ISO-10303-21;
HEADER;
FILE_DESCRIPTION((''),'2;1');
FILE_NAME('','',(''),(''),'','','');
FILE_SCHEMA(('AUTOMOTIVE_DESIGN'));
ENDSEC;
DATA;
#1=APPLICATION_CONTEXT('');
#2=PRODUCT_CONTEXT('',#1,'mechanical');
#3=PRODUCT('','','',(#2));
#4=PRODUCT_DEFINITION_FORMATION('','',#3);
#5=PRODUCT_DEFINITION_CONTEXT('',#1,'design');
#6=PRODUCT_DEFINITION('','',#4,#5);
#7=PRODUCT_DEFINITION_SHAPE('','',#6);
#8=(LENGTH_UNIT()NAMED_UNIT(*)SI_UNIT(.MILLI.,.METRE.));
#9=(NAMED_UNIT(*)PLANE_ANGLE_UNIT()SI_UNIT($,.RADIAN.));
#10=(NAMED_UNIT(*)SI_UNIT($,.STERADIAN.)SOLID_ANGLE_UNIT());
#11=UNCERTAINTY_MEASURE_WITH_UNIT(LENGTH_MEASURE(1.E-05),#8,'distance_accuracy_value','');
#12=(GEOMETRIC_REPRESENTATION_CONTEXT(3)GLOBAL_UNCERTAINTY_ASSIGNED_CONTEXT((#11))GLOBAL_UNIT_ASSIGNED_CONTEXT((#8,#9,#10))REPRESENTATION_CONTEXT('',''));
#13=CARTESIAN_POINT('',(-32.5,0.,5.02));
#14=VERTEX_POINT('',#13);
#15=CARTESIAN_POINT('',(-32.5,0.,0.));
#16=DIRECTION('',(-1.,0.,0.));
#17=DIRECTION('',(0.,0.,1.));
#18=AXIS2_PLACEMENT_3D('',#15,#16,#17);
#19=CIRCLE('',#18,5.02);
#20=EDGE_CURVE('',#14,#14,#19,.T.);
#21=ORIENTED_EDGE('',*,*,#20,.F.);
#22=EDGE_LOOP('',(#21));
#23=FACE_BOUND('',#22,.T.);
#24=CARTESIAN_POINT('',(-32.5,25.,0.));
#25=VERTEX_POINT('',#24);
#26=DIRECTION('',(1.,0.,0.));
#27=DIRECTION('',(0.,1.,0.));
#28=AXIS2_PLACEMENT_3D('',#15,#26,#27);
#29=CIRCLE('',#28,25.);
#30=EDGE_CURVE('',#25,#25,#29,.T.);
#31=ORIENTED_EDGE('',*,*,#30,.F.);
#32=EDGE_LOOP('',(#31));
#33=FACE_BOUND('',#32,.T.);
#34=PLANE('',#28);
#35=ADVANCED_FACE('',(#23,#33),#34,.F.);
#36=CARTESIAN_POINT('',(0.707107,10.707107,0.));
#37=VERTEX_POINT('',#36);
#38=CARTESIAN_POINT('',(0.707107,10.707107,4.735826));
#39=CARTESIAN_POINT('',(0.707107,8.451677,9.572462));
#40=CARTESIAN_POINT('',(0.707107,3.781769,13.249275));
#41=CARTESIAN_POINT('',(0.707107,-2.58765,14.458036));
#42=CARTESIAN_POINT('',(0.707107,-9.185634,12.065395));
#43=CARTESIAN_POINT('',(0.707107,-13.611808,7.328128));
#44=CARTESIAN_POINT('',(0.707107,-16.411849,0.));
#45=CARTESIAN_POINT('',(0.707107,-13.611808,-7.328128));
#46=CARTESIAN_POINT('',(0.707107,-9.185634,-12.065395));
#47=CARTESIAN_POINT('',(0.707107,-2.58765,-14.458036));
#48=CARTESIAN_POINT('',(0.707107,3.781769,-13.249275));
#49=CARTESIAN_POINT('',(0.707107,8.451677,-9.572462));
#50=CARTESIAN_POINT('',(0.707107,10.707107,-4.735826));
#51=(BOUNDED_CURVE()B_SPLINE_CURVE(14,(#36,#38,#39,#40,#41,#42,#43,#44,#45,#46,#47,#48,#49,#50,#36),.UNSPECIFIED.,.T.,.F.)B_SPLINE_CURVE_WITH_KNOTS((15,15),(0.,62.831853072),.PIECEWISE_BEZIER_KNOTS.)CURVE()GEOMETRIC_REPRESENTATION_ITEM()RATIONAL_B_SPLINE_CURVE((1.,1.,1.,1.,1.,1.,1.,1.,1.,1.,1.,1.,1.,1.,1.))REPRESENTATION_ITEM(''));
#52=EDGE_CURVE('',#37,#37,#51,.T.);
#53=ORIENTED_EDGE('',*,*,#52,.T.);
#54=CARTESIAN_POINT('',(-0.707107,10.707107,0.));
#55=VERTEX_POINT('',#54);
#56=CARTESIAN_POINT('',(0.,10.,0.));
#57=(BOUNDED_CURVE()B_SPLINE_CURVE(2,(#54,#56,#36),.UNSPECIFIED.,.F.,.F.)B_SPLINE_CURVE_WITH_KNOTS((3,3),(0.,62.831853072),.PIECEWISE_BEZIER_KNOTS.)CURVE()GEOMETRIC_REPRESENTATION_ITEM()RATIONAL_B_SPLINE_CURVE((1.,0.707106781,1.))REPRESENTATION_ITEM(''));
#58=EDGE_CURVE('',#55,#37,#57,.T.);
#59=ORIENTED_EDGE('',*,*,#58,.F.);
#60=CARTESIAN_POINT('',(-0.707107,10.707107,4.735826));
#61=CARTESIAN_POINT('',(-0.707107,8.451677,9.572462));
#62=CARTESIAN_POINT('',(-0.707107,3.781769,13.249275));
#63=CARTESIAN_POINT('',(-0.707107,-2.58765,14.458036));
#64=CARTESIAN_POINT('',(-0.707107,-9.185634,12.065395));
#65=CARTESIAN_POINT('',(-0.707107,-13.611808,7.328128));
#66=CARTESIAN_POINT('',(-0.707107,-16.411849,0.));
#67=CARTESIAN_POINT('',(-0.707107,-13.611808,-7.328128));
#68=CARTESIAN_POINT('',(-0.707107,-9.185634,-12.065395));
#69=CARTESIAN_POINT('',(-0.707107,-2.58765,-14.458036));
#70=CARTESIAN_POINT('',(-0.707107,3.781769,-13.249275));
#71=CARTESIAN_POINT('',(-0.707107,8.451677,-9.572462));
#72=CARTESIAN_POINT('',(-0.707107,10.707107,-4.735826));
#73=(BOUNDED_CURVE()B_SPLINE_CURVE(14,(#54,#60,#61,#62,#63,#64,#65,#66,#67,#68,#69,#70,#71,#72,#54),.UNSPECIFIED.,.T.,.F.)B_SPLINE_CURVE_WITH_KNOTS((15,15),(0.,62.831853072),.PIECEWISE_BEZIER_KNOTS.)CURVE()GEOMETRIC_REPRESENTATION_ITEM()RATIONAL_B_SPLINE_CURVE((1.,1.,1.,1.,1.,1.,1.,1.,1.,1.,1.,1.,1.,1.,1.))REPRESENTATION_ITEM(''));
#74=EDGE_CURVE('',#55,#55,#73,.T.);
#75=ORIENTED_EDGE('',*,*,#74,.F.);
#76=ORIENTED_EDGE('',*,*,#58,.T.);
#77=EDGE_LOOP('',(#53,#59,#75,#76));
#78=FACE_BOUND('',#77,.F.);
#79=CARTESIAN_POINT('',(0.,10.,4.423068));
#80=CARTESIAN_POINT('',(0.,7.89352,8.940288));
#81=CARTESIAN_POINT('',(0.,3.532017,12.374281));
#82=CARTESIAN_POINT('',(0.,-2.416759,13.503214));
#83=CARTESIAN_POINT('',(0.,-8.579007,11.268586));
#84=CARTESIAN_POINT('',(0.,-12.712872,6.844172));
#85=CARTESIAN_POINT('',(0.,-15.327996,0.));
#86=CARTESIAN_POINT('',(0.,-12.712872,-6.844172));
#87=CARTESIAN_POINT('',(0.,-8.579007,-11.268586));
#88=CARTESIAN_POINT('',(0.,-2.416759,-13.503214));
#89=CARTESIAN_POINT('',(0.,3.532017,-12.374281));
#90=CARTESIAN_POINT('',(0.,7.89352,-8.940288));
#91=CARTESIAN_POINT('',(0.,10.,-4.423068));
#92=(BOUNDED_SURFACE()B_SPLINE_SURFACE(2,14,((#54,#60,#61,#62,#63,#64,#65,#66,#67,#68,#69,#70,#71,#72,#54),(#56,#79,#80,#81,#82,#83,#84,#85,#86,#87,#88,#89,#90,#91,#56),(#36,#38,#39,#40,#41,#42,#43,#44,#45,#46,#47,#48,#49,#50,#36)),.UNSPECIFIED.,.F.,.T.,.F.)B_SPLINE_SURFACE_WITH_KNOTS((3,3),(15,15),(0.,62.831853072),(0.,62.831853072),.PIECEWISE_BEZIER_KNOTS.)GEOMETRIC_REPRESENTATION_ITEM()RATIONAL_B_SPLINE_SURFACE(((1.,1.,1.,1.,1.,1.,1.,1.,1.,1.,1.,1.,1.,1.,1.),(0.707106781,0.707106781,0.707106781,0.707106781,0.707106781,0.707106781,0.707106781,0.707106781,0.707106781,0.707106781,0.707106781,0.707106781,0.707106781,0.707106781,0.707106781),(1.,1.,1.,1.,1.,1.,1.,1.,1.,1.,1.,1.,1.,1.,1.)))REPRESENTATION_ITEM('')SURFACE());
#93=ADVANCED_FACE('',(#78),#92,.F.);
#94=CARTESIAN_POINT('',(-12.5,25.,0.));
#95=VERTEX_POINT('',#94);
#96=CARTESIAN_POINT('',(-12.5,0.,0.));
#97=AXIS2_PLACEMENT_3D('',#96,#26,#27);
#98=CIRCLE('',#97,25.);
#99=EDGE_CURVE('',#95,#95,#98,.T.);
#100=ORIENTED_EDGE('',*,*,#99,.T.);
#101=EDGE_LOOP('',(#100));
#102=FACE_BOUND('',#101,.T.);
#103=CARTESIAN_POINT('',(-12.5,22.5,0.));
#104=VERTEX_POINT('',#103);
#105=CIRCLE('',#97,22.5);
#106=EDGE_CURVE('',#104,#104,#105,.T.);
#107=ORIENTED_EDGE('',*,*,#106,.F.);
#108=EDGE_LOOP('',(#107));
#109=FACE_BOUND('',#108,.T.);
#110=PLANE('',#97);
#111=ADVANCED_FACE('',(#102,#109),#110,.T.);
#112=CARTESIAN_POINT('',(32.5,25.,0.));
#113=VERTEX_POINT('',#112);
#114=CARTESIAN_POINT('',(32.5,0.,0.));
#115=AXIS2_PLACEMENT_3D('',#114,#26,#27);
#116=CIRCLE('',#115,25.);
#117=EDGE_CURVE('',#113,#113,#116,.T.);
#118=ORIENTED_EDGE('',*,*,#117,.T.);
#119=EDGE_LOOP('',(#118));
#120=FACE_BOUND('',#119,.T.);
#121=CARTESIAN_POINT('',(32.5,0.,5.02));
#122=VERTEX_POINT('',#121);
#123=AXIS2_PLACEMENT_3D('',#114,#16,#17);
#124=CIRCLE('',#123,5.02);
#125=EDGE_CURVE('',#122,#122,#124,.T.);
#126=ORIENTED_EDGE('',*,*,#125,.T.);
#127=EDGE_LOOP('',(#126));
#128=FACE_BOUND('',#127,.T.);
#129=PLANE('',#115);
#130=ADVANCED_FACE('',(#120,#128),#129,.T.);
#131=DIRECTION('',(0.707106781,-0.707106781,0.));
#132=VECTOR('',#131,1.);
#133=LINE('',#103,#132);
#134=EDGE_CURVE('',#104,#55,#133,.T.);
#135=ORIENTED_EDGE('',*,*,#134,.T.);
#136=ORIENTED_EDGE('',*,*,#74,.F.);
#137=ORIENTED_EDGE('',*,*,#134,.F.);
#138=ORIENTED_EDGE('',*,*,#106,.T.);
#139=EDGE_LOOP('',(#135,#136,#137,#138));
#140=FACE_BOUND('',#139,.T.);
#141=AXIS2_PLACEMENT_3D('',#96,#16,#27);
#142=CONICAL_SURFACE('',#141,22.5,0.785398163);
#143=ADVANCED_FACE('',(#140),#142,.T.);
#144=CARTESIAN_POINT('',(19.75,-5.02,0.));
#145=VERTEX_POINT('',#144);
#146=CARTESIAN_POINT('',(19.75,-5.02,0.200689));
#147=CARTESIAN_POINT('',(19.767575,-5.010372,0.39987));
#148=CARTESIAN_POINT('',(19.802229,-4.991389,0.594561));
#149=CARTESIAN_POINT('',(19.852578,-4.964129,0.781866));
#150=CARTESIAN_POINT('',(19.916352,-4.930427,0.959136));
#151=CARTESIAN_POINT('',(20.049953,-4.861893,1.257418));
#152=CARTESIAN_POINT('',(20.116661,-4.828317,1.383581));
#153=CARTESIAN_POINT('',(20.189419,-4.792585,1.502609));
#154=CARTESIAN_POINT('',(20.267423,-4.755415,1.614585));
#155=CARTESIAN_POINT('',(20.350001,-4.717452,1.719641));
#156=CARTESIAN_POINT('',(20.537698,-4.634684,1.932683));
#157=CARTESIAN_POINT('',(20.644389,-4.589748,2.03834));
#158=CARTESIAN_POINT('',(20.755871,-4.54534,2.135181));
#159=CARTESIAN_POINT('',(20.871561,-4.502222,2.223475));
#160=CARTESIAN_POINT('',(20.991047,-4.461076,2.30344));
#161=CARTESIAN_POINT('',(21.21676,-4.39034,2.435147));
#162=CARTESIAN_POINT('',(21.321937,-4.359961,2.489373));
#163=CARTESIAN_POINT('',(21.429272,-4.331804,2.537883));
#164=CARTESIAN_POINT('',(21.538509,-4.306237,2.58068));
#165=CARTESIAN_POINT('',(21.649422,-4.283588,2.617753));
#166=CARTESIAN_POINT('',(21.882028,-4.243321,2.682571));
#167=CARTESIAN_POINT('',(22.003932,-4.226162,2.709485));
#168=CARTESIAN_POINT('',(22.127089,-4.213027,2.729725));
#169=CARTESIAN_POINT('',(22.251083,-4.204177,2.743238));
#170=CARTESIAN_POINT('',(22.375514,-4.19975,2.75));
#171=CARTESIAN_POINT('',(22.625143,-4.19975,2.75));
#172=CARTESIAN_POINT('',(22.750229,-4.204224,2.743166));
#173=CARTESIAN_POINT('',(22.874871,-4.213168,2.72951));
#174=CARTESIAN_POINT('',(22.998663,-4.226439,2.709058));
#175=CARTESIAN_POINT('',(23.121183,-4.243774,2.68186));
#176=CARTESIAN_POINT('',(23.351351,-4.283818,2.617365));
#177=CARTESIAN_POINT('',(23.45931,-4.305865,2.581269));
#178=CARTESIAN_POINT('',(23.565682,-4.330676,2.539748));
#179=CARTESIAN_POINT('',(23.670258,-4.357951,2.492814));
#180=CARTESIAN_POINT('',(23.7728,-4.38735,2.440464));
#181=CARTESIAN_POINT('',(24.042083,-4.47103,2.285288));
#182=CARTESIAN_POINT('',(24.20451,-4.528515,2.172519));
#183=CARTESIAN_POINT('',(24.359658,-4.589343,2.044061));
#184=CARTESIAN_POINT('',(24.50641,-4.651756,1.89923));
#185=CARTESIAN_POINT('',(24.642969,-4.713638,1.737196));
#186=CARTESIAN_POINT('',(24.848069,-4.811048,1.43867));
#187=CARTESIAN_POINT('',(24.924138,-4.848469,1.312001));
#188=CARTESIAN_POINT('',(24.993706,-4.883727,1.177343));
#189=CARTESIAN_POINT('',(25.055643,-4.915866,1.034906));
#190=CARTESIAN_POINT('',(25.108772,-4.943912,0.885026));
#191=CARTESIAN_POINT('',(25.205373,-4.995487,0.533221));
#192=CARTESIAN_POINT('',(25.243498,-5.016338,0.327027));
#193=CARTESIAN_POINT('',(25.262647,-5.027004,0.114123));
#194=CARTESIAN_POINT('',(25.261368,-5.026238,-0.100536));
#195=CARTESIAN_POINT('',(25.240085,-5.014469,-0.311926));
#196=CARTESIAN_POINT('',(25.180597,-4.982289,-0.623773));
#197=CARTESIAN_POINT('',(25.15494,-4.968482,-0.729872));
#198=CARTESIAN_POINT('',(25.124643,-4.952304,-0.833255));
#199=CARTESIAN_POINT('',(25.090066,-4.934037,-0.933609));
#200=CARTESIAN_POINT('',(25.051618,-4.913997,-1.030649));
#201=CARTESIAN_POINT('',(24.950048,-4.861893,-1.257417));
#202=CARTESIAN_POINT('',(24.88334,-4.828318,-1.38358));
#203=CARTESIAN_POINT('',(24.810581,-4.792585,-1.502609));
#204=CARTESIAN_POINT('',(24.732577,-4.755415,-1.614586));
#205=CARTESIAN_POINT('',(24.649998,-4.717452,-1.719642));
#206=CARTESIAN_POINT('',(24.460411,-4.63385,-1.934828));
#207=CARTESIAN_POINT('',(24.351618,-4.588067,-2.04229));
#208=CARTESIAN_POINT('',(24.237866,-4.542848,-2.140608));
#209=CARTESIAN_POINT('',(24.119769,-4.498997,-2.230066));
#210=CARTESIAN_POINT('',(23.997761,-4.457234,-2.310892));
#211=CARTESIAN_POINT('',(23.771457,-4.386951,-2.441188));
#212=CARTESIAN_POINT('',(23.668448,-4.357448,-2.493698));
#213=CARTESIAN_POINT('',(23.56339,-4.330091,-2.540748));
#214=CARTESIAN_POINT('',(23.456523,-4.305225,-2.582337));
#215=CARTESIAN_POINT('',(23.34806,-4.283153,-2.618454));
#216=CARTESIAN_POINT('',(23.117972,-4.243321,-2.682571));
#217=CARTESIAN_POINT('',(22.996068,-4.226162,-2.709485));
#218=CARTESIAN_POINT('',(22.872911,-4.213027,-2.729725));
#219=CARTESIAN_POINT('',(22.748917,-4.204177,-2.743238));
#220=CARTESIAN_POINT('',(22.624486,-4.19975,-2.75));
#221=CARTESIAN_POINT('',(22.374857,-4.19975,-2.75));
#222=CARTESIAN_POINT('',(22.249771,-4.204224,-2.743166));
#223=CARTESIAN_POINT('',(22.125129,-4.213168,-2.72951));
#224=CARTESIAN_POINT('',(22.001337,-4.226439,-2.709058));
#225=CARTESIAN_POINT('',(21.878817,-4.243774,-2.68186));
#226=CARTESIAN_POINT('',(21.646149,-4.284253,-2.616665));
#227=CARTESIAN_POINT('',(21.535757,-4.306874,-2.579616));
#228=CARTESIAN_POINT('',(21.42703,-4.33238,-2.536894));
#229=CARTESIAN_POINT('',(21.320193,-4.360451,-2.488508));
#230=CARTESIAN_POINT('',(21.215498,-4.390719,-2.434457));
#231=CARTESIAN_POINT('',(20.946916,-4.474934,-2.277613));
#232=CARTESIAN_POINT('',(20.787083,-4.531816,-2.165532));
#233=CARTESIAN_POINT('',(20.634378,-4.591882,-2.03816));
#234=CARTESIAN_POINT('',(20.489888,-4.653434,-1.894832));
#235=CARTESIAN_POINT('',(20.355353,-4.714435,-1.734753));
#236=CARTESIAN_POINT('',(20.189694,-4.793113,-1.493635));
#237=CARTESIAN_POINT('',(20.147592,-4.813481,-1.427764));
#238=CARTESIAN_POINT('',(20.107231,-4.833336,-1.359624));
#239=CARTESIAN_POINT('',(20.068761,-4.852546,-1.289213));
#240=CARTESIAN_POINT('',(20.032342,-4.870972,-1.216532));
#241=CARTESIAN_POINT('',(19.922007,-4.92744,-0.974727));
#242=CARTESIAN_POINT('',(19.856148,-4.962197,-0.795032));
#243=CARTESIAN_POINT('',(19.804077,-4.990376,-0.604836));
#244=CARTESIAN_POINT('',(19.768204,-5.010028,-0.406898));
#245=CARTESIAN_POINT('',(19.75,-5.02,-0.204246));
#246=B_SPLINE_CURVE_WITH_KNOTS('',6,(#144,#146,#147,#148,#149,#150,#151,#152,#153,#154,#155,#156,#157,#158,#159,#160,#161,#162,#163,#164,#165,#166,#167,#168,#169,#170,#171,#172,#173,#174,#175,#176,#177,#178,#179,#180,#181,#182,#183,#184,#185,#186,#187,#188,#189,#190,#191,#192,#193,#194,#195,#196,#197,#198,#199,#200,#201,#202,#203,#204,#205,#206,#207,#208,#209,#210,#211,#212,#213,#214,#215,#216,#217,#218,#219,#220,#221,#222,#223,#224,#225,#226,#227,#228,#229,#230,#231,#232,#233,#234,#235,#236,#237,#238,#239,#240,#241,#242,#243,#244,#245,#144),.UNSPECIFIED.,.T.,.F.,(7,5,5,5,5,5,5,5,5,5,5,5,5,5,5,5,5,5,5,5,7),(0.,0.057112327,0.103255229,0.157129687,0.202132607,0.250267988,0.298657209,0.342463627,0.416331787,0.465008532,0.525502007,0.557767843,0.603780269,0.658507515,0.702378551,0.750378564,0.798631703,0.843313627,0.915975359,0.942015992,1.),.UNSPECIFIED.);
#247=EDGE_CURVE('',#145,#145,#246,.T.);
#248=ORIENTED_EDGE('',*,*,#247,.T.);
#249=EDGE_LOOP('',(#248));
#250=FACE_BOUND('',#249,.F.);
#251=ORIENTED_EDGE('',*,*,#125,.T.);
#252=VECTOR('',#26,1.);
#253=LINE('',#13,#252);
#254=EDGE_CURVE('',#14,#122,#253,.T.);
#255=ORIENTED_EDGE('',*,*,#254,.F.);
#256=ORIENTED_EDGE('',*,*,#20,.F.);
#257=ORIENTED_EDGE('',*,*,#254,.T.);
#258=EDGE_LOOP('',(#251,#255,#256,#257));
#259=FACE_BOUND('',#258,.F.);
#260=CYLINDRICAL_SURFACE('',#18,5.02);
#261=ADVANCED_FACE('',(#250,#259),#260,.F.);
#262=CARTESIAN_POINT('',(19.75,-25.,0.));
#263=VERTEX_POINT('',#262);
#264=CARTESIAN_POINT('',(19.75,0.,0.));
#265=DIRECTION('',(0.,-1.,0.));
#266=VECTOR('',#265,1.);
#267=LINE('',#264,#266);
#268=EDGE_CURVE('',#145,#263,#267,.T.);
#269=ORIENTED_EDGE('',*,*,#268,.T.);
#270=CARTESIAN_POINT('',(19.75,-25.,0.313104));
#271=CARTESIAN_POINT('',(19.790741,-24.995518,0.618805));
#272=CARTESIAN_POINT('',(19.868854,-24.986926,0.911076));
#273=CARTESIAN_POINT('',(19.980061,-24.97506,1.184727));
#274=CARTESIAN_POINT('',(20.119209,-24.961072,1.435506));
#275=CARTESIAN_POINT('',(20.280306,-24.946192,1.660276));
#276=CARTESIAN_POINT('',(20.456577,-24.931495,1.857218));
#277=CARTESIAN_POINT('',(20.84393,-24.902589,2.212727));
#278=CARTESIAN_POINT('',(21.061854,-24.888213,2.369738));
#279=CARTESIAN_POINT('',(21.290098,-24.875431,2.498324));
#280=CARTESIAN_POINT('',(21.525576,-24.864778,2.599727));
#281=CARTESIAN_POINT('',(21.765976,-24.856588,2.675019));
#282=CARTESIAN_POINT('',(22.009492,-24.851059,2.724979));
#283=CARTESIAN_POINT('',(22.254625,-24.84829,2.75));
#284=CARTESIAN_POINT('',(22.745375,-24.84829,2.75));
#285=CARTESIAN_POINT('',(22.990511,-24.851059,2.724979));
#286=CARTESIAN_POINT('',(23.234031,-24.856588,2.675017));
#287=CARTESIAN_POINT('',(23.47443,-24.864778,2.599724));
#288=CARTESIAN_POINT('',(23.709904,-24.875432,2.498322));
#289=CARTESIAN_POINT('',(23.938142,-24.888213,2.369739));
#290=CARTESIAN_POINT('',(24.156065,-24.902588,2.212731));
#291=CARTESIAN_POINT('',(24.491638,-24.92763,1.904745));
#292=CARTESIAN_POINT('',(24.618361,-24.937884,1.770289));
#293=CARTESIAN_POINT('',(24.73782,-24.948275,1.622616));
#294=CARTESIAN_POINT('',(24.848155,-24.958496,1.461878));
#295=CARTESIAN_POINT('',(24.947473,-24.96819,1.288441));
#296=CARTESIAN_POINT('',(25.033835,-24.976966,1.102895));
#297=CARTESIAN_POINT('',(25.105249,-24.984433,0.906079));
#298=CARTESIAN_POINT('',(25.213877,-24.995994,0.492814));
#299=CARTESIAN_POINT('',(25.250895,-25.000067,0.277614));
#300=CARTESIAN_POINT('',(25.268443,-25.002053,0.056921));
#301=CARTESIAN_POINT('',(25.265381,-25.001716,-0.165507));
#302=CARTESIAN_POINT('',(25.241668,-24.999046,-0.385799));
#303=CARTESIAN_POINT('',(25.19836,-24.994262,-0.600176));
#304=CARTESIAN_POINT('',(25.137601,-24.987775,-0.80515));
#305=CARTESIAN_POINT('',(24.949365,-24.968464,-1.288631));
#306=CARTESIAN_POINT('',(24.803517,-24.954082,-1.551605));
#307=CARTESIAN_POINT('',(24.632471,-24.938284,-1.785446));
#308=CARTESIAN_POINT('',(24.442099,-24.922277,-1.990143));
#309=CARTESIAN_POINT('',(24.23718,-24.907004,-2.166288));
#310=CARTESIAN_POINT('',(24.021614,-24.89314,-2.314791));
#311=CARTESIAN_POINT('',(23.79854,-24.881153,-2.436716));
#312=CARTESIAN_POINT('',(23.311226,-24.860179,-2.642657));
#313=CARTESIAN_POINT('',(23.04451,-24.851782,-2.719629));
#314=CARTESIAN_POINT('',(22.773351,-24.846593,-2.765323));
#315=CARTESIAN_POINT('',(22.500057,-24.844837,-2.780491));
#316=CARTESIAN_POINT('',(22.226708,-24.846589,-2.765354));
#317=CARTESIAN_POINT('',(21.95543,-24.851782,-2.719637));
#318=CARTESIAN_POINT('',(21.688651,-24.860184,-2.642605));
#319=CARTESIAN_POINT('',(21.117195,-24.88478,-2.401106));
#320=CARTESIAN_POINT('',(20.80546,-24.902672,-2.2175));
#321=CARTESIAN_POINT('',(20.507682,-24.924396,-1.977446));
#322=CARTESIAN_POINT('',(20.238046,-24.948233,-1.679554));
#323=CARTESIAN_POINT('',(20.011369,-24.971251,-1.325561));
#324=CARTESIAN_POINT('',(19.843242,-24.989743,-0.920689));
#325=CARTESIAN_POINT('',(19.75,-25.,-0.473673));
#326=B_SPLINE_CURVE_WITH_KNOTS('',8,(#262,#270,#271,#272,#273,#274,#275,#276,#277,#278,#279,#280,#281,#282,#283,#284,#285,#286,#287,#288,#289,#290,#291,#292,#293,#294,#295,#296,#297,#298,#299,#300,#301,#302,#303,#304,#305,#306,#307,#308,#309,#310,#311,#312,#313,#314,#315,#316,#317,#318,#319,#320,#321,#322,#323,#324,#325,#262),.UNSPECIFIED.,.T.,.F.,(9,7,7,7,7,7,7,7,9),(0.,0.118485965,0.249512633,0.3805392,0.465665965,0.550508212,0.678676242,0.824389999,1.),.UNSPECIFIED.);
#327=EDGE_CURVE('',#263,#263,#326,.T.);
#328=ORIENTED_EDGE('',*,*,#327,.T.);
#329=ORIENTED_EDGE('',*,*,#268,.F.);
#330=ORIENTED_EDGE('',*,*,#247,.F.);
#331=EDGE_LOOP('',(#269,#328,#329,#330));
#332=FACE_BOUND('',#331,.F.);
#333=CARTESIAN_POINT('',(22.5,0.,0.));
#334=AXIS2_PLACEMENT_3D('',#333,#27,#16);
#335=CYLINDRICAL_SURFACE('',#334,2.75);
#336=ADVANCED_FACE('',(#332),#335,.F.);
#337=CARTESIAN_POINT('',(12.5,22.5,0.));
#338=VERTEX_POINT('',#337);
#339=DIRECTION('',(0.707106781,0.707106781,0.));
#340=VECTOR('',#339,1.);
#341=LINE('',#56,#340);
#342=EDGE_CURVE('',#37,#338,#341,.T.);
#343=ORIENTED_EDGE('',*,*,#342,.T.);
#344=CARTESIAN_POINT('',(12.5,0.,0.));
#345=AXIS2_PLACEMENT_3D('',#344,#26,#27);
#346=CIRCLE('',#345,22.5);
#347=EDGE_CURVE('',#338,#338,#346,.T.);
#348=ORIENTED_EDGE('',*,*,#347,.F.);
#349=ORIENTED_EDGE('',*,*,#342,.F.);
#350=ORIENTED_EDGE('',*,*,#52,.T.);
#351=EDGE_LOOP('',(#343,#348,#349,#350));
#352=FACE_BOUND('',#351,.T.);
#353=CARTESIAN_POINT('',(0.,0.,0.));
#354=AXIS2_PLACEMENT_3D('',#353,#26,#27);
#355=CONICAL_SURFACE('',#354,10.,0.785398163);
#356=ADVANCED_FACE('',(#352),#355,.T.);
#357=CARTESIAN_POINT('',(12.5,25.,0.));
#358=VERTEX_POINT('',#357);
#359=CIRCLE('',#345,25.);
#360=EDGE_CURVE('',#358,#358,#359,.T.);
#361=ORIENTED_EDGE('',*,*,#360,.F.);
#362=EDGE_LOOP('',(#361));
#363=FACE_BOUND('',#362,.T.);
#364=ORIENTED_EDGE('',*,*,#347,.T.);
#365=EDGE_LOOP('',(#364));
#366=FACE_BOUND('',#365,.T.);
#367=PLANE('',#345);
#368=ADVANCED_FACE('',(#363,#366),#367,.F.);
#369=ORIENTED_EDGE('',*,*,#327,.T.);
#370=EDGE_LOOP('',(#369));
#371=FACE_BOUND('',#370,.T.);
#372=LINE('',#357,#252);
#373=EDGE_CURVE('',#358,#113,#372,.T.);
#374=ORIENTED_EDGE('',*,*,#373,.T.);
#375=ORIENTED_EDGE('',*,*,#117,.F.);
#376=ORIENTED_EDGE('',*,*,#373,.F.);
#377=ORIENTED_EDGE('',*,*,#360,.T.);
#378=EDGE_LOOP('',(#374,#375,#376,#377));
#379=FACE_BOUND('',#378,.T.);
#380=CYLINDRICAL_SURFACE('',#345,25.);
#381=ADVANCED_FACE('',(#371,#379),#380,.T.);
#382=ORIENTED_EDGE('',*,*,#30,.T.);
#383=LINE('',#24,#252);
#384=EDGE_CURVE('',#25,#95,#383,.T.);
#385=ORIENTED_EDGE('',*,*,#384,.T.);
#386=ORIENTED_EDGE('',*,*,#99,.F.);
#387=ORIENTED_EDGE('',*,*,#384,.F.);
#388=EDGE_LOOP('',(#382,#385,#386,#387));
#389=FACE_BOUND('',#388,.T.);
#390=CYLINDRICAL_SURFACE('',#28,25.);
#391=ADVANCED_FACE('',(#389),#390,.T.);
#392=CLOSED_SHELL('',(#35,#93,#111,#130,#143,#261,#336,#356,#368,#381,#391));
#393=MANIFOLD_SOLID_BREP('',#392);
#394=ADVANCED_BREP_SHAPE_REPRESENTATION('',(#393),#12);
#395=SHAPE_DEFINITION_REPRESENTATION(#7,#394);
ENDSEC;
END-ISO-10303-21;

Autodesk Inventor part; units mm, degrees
ref_plane "YZ Plane" through (0, 0, 0) normal (1, 0, 0) x (0, 1, 0)
ref_plane "XZ Plane" through (0, 0, 0) normal (0, 1, 0) x (-1, 0, 0)
ref_plane "XY Plane" through (0, 0, 0) normal (0, 0, 1) x (1, 0, 0)
sketch "Sketch2" plane through (0, 0, 0) normal (0, 0, 1) x (1, 0, 0)
  line L0 (0, 0) -> (-32.5, 0)
  line L1 (-32.5, 0) -> (-32.5, 25)
  line L2 (-32.5, 25) -> (-12.5, 25)
  line L3 (-12.5, 25) -> (-12.5, 22.5)
  line L4 (-12.5, 22.5) -> (12.5, 22.5)
  line L5 (12.5, 22.5) -> (12.5, 25)
  line L6 (12.5, 25) -> (32.5, 25)
  line L7 (32.5, 25) -> (32.5, 0)
  line L8 (32.5, 0) -> (0, 0)
  line L9 (-12.5, 22.5) -> (0, 10)
  line L10 (0, 10) -> (12.5, 22.5)
  line L11 (-45.5, 0) -> (45.5, 0) projected
  point P0 (0, 22.5)
  dimension "d1" = 20
  dimension "d2" = 65
  dimension "d4" = 25
  dimension "d5" = 45
  dimension "d6" = 45
  dimension "d7" = 5
revolve "Revolution1" add sketch "Sketch2" angle 360 about axis through (-10, 0, 0) along (1, 0, 0) contours L0 L1 L2 L3 L9 L10 L5 L6 L7 L8
fillet "Fillet1" radius 1 1 edges at (0, -10, 0)
sketch "Sketch3" plane through (-32.5, 0, 0) normal (-1, 0, 0) x (0, 0, 1)
  circle A0 centre (0, 0) radius 5.02
  dimension "d10" = 10.04
extrude "Extrusion1" cut sketch "Sketch3" against normal through all
sketch "Sketch5" plane through (0, 0, 0) normal (0, 1, 0) x (-1, 0, 0)
  line L0 (-32.5, 25) -> (-32.5, -25) projected
  line L1 (-32.5, 0) -> (32.6883, 0)
  line L2 (-12.5, 25) -> (-32.5, 25) projected
  line L3 (-22.5, 25) -> (-22.5, -25)
  line L4 (-12.5, -25) -> (-32.5, -25) projected
  line L5 (32.5, 25) -> (12.5, 25) projected
  line L6 (22.5, 25) -> (22.5, -25)
  line L7 (32.5, -25) -> (12.5, -25) projected
  circle A0 centre (-22.5, 0) radius 2.75
  point P0 (0, 0)
  dimension "d13" = 5.5
extrude "Extrusion2" cut sketch "Sketch5" against normal through all contours A0 L3 L1 | L1 L3 A0 | A0 L1 L3 | L1 A0 L3
properties part number "guideWheel"
